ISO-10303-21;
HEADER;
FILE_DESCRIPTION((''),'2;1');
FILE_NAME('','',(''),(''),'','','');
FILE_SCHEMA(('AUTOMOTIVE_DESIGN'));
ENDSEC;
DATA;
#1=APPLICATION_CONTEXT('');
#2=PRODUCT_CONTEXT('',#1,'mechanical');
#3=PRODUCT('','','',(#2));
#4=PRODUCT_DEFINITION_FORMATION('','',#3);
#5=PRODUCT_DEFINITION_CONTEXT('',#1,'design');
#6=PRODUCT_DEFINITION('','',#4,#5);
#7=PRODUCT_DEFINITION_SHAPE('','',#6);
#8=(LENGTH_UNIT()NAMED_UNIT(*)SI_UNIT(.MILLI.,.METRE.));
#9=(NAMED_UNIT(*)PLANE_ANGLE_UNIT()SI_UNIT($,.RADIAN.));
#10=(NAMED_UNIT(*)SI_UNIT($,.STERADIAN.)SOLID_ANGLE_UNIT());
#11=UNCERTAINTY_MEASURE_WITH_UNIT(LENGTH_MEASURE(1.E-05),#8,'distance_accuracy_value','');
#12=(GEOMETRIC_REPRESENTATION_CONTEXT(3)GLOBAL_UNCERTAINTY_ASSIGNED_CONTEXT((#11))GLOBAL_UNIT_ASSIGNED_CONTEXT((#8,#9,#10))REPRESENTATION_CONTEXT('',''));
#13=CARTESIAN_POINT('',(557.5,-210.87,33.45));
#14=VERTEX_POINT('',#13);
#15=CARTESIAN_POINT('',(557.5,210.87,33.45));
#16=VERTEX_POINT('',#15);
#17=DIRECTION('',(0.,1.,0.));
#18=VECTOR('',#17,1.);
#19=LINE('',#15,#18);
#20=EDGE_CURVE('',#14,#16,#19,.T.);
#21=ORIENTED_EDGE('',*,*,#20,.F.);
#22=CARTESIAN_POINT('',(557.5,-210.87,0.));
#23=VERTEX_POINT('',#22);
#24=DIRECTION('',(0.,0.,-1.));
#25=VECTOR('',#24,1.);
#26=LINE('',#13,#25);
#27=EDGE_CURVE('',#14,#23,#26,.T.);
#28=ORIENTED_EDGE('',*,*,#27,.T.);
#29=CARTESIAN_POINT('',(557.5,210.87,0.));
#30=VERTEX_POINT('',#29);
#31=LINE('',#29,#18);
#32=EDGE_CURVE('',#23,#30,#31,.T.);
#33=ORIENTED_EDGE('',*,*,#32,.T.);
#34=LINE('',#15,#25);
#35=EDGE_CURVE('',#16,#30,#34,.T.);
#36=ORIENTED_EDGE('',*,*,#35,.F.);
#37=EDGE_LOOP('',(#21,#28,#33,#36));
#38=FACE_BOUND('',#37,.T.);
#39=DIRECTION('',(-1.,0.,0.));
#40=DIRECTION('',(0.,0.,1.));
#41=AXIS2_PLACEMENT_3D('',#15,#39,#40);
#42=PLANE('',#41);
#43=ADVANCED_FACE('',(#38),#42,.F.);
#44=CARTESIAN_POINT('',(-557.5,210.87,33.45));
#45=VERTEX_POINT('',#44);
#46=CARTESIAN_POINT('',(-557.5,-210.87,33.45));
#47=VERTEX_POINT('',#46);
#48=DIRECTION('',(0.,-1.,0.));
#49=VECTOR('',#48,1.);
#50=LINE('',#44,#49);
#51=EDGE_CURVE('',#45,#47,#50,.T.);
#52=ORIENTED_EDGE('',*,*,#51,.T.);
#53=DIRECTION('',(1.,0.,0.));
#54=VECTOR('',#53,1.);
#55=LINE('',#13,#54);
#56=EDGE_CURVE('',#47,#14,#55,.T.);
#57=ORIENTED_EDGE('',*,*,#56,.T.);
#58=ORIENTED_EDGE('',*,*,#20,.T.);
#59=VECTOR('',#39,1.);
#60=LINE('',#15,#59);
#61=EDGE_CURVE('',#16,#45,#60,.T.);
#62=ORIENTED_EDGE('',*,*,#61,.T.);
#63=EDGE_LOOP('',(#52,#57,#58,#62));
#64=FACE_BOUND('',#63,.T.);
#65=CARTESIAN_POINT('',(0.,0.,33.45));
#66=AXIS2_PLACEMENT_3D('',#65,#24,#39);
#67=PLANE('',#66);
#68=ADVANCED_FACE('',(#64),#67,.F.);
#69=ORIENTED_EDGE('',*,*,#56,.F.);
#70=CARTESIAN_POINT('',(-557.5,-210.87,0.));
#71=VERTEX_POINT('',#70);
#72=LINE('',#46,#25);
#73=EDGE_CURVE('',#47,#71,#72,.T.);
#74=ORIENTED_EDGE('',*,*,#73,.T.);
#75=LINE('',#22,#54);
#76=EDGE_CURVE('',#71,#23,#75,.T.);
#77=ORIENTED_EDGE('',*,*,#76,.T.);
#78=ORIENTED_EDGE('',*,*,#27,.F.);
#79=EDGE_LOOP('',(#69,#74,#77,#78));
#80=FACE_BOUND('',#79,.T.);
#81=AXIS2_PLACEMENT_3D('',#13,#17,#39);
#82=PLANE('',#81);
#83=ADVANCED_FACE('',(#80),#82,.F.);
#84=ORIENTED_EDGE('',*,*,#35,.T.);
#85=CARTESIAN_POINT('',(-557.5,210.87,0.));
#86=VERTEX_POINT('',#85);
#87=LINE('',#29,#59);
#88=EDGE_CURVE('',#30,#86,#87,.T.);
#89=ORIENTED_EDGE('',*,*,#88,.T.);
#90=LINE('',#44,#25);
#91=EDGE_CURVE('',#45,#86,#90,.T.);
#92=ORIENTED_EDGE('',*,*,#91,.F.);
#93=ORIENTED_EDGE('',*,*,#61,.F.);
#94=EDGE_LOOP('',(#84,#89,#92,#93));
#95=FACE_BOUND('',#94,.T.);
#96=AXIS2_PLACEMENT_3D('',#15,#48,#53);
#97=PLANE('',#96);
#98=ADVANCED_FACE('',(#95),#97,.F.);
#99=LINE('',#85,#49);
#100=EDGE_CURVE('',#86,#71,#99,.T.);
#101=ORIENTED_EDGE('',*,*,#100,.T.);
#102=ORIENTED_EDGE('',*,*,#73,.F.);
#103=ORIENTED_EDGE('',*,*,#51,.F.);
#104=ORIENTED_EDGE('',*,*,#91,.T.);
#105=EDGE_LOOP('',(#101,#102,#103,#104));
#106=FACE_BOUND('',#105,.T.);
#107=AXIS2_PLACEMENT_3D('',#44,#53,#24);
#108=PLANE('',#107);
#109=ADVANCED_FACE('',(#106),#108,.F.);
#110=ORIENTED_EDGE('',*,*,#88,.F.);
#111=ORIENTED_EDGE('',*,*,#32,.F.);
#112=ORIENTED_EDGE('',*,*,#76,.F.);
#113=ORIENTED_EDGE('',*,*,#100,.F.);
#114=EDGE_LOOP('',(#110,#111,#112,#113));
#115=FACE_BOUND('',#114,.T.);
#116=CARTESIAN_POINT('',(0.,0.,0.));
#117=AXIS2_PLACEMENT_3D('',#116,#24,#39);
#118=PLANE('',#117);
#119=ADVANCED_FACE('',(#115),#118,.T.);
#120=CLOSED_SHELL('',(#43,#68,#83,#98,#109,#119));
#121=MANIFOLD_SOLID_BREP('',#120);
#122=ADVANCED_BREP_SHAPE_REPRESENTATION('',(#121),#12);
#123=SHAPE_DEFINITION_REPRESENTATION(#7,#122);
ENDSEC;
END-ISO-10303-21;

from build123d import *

# Parameters (mm, degrees)
SKETCH1_W           = 1115
SKETCH1_H           = 421.74
BOSS_EXTRUDE1_DEPTH = 33.45


with BuildPart() as part:
    # Sketch1 → Boss-Extrude1 (new body)
    with BuildSketch(Plane.XY):
        Rectangle(SKETCH1_W, SKETCH1_H)
    extrude(amount=BOSS_EXTRUDE1_DEPTH)


solid = part.part
